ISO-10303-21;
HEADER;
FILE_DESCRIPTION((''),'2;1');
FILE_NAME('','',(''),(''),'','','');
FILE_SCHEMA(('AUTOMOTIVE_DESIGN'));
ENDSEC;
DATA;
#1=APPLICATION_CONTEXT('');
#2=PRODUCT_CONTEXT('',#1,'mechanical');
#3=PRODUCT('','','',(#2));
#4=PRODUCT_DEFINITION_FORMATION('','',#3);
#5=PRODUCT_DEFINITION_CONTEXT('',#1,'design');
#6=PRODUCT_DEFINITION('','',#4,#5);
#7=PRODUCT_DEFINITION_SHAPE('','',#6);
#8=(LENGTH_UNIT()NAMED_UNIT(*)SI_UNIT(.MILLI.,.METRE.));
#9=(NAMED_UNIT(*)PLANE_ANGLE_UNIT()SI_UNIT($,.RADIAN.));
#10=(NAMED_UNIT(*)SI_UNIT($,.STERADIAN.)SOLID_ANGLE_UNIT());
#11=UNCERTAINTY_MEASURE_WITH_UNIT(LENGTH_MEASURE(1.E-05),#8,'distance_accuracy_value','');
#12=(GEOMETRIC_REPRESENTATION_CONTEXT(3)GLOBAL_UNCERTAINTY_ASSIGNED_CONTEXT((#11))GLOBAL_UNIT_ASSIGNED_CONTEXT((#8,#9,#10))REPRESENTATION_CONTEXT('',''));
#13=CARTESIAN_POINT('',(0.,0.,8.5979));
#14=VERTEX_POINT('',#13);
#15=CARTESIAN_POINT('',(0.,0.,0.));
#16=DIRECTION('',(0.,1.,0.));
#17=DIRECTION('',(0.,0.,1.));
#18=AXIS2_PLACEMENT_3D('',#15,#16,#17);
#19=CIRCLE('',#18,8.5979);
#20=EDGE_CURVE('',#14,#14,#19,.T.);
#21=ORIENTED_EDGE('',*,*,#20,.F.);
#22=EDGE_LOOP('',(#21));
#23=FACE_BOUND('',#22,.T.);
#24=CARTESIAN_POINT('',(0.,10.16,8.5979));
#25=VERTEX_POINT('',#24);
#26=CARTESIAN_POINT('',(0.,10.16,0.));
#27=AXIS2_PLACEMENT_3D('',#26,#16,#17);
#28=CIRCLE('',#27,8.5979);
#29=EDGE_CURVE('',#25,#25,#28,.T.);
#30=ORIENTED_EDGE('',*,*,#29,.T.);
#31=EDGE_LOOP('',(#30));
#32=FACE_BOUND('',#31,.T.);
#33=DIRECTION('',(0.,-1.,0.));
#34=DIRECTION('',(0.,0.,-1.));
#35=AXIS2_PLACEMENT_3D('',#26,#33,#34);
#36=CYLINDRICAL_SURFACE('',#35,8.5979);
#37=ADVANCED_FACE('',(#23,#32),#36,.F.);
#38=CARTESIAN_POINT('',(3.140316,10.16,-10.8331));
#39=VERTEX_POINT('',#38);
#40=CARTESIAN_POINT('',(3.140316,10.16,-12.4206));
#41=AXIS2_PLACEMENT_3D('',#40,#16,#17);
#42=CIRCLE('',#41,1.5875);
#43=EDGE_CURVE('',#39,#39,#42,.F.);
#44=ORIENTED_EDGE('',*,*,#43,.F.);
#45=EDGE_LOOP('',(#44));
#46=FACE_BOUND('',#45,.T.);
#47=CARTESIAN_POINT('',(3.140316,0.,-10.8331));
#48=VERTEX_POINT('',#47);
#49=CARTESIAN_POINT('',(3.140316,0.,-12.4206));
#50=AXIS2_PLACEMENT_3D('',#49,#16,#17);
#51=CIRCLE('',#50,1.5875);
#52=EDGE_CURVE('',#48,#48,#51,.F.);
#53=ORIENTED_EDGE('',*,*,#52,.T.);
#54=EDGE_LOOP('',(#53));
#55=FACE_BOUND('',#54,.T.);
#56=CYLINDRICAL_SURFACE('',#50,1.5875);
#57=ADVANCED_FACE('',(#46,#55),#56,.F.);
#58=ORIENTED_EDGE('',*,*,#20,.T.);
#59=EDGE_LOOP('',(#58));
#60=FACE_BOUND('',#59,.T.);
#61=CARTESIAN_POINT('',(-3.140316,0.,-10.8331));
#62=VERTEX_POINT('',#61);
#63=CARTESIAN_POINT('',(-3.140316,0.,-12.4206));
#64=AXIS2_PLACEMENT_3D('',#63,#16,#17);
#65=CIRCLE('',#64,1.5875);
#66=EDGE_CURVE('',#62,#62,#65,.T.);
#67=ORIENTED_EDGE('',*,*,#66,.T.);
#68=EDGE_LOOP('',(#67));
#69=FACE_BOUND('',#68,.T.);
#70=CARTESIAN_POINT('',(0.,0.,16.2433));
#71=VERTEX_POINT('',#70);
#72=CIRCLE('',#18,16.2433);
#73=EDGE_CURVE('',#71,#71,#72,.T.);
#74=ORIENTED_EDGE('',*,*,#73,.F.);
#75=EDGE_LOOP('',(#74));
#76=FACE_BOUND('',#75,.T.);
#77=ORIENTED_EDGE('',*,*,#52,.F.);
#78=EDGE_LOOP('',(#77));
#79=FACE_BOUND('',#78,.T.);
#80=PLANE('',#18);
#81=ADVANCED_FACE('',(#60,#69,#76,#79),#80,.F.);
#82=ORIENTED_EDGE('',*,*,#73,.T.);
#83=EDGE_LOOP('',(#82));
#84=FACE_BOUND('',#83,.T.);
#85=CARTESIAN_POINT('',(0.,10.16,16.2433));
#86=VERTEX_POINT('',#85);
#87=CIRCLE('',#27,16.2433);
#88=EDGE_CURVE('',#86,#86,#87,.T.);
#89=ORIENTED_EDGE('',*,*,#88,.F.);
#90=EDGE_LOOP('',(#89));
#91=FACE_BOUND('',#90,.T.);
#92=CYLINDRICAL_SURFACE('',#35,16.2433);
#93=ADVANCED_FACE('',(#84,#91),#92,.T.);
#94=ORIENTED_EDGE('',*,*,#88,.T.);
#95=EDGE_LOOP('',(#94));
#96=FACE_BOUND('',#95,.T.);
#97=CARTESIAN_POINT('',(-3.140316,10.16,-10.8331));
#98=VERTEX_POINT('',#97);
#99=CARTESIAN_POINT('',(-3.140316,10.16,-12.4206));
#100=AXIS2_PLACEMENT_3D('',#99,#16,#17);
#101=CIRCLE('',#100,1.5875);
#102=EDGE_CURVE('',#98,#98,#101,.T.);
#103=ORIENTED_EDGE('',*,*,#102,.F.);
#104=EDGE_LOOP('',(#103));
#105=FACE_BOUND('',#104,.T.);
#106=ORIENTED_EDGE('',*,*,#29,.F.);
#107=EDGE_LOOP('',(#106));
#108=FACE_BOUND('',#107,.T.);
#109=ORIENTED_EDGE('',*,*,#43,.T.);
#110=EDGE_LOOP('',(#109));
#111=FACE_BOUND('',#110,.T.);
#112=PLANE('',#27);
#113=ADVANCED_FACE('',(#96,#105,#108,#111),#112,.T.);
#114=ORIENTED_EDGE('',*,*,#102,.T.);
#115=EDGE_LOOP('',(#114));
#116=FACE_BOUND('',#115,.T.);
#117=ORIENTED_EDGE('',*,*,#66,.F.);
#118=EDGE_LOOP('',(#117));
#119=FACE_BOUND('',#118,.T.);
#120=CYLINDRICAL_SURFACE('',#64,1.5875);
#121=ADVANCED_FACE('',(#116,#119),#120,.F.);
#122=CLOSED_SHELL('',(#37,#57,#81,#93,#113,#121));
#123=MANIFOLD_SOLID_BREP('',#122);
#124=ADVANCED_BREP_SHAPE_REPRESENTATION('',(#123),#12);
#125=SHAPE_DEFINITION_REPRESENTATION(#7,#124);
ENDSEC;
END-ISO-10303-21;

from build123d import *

# Parameters (mm, degrees)
SKETCH1_R           = 16.2433
SKETCH1_R_2         = 8.5979
BOSS_EXTRUDE1_DEPTH = 10.16
SKETCH2_R           = 1.5875
CUT_EXTRUDE2_DEPTH  = 11.16


with BuildPart() as part:
    # Sketch1 → Boss-Extrude1 (new body)
    with BuildSketch(Plane(origin=(0, 0, 0), x_dir=(1, 0, 0), z_dir=(0, 1, 0))):
        Circle(SKETCH1_R)
        Circle(SKETCH1_R_2, mode=Mode.SUBTRACT)
    extrude(amount=BOSS_EXTRUDE1_DEPTH)

    # Sketch2 → Cut-Extrude2 (cut, through all)
    with BuildSketch(Plane(origin=(0, 10.16, 0), x_dir=(1, 0, 0), z_dir=(0, 1, 0))):
        with Locations((-3.140315604, 12.4206)):
            Circle(SKETCH2_R)
        with Locations((3.140315604, 12.4206)):
            Circle(SKETCH2_R)
    extrude(amount=-CUT_EXTRUDE2_DEPTH, mode=Mode.SUBTRACT)


solid = part.part
